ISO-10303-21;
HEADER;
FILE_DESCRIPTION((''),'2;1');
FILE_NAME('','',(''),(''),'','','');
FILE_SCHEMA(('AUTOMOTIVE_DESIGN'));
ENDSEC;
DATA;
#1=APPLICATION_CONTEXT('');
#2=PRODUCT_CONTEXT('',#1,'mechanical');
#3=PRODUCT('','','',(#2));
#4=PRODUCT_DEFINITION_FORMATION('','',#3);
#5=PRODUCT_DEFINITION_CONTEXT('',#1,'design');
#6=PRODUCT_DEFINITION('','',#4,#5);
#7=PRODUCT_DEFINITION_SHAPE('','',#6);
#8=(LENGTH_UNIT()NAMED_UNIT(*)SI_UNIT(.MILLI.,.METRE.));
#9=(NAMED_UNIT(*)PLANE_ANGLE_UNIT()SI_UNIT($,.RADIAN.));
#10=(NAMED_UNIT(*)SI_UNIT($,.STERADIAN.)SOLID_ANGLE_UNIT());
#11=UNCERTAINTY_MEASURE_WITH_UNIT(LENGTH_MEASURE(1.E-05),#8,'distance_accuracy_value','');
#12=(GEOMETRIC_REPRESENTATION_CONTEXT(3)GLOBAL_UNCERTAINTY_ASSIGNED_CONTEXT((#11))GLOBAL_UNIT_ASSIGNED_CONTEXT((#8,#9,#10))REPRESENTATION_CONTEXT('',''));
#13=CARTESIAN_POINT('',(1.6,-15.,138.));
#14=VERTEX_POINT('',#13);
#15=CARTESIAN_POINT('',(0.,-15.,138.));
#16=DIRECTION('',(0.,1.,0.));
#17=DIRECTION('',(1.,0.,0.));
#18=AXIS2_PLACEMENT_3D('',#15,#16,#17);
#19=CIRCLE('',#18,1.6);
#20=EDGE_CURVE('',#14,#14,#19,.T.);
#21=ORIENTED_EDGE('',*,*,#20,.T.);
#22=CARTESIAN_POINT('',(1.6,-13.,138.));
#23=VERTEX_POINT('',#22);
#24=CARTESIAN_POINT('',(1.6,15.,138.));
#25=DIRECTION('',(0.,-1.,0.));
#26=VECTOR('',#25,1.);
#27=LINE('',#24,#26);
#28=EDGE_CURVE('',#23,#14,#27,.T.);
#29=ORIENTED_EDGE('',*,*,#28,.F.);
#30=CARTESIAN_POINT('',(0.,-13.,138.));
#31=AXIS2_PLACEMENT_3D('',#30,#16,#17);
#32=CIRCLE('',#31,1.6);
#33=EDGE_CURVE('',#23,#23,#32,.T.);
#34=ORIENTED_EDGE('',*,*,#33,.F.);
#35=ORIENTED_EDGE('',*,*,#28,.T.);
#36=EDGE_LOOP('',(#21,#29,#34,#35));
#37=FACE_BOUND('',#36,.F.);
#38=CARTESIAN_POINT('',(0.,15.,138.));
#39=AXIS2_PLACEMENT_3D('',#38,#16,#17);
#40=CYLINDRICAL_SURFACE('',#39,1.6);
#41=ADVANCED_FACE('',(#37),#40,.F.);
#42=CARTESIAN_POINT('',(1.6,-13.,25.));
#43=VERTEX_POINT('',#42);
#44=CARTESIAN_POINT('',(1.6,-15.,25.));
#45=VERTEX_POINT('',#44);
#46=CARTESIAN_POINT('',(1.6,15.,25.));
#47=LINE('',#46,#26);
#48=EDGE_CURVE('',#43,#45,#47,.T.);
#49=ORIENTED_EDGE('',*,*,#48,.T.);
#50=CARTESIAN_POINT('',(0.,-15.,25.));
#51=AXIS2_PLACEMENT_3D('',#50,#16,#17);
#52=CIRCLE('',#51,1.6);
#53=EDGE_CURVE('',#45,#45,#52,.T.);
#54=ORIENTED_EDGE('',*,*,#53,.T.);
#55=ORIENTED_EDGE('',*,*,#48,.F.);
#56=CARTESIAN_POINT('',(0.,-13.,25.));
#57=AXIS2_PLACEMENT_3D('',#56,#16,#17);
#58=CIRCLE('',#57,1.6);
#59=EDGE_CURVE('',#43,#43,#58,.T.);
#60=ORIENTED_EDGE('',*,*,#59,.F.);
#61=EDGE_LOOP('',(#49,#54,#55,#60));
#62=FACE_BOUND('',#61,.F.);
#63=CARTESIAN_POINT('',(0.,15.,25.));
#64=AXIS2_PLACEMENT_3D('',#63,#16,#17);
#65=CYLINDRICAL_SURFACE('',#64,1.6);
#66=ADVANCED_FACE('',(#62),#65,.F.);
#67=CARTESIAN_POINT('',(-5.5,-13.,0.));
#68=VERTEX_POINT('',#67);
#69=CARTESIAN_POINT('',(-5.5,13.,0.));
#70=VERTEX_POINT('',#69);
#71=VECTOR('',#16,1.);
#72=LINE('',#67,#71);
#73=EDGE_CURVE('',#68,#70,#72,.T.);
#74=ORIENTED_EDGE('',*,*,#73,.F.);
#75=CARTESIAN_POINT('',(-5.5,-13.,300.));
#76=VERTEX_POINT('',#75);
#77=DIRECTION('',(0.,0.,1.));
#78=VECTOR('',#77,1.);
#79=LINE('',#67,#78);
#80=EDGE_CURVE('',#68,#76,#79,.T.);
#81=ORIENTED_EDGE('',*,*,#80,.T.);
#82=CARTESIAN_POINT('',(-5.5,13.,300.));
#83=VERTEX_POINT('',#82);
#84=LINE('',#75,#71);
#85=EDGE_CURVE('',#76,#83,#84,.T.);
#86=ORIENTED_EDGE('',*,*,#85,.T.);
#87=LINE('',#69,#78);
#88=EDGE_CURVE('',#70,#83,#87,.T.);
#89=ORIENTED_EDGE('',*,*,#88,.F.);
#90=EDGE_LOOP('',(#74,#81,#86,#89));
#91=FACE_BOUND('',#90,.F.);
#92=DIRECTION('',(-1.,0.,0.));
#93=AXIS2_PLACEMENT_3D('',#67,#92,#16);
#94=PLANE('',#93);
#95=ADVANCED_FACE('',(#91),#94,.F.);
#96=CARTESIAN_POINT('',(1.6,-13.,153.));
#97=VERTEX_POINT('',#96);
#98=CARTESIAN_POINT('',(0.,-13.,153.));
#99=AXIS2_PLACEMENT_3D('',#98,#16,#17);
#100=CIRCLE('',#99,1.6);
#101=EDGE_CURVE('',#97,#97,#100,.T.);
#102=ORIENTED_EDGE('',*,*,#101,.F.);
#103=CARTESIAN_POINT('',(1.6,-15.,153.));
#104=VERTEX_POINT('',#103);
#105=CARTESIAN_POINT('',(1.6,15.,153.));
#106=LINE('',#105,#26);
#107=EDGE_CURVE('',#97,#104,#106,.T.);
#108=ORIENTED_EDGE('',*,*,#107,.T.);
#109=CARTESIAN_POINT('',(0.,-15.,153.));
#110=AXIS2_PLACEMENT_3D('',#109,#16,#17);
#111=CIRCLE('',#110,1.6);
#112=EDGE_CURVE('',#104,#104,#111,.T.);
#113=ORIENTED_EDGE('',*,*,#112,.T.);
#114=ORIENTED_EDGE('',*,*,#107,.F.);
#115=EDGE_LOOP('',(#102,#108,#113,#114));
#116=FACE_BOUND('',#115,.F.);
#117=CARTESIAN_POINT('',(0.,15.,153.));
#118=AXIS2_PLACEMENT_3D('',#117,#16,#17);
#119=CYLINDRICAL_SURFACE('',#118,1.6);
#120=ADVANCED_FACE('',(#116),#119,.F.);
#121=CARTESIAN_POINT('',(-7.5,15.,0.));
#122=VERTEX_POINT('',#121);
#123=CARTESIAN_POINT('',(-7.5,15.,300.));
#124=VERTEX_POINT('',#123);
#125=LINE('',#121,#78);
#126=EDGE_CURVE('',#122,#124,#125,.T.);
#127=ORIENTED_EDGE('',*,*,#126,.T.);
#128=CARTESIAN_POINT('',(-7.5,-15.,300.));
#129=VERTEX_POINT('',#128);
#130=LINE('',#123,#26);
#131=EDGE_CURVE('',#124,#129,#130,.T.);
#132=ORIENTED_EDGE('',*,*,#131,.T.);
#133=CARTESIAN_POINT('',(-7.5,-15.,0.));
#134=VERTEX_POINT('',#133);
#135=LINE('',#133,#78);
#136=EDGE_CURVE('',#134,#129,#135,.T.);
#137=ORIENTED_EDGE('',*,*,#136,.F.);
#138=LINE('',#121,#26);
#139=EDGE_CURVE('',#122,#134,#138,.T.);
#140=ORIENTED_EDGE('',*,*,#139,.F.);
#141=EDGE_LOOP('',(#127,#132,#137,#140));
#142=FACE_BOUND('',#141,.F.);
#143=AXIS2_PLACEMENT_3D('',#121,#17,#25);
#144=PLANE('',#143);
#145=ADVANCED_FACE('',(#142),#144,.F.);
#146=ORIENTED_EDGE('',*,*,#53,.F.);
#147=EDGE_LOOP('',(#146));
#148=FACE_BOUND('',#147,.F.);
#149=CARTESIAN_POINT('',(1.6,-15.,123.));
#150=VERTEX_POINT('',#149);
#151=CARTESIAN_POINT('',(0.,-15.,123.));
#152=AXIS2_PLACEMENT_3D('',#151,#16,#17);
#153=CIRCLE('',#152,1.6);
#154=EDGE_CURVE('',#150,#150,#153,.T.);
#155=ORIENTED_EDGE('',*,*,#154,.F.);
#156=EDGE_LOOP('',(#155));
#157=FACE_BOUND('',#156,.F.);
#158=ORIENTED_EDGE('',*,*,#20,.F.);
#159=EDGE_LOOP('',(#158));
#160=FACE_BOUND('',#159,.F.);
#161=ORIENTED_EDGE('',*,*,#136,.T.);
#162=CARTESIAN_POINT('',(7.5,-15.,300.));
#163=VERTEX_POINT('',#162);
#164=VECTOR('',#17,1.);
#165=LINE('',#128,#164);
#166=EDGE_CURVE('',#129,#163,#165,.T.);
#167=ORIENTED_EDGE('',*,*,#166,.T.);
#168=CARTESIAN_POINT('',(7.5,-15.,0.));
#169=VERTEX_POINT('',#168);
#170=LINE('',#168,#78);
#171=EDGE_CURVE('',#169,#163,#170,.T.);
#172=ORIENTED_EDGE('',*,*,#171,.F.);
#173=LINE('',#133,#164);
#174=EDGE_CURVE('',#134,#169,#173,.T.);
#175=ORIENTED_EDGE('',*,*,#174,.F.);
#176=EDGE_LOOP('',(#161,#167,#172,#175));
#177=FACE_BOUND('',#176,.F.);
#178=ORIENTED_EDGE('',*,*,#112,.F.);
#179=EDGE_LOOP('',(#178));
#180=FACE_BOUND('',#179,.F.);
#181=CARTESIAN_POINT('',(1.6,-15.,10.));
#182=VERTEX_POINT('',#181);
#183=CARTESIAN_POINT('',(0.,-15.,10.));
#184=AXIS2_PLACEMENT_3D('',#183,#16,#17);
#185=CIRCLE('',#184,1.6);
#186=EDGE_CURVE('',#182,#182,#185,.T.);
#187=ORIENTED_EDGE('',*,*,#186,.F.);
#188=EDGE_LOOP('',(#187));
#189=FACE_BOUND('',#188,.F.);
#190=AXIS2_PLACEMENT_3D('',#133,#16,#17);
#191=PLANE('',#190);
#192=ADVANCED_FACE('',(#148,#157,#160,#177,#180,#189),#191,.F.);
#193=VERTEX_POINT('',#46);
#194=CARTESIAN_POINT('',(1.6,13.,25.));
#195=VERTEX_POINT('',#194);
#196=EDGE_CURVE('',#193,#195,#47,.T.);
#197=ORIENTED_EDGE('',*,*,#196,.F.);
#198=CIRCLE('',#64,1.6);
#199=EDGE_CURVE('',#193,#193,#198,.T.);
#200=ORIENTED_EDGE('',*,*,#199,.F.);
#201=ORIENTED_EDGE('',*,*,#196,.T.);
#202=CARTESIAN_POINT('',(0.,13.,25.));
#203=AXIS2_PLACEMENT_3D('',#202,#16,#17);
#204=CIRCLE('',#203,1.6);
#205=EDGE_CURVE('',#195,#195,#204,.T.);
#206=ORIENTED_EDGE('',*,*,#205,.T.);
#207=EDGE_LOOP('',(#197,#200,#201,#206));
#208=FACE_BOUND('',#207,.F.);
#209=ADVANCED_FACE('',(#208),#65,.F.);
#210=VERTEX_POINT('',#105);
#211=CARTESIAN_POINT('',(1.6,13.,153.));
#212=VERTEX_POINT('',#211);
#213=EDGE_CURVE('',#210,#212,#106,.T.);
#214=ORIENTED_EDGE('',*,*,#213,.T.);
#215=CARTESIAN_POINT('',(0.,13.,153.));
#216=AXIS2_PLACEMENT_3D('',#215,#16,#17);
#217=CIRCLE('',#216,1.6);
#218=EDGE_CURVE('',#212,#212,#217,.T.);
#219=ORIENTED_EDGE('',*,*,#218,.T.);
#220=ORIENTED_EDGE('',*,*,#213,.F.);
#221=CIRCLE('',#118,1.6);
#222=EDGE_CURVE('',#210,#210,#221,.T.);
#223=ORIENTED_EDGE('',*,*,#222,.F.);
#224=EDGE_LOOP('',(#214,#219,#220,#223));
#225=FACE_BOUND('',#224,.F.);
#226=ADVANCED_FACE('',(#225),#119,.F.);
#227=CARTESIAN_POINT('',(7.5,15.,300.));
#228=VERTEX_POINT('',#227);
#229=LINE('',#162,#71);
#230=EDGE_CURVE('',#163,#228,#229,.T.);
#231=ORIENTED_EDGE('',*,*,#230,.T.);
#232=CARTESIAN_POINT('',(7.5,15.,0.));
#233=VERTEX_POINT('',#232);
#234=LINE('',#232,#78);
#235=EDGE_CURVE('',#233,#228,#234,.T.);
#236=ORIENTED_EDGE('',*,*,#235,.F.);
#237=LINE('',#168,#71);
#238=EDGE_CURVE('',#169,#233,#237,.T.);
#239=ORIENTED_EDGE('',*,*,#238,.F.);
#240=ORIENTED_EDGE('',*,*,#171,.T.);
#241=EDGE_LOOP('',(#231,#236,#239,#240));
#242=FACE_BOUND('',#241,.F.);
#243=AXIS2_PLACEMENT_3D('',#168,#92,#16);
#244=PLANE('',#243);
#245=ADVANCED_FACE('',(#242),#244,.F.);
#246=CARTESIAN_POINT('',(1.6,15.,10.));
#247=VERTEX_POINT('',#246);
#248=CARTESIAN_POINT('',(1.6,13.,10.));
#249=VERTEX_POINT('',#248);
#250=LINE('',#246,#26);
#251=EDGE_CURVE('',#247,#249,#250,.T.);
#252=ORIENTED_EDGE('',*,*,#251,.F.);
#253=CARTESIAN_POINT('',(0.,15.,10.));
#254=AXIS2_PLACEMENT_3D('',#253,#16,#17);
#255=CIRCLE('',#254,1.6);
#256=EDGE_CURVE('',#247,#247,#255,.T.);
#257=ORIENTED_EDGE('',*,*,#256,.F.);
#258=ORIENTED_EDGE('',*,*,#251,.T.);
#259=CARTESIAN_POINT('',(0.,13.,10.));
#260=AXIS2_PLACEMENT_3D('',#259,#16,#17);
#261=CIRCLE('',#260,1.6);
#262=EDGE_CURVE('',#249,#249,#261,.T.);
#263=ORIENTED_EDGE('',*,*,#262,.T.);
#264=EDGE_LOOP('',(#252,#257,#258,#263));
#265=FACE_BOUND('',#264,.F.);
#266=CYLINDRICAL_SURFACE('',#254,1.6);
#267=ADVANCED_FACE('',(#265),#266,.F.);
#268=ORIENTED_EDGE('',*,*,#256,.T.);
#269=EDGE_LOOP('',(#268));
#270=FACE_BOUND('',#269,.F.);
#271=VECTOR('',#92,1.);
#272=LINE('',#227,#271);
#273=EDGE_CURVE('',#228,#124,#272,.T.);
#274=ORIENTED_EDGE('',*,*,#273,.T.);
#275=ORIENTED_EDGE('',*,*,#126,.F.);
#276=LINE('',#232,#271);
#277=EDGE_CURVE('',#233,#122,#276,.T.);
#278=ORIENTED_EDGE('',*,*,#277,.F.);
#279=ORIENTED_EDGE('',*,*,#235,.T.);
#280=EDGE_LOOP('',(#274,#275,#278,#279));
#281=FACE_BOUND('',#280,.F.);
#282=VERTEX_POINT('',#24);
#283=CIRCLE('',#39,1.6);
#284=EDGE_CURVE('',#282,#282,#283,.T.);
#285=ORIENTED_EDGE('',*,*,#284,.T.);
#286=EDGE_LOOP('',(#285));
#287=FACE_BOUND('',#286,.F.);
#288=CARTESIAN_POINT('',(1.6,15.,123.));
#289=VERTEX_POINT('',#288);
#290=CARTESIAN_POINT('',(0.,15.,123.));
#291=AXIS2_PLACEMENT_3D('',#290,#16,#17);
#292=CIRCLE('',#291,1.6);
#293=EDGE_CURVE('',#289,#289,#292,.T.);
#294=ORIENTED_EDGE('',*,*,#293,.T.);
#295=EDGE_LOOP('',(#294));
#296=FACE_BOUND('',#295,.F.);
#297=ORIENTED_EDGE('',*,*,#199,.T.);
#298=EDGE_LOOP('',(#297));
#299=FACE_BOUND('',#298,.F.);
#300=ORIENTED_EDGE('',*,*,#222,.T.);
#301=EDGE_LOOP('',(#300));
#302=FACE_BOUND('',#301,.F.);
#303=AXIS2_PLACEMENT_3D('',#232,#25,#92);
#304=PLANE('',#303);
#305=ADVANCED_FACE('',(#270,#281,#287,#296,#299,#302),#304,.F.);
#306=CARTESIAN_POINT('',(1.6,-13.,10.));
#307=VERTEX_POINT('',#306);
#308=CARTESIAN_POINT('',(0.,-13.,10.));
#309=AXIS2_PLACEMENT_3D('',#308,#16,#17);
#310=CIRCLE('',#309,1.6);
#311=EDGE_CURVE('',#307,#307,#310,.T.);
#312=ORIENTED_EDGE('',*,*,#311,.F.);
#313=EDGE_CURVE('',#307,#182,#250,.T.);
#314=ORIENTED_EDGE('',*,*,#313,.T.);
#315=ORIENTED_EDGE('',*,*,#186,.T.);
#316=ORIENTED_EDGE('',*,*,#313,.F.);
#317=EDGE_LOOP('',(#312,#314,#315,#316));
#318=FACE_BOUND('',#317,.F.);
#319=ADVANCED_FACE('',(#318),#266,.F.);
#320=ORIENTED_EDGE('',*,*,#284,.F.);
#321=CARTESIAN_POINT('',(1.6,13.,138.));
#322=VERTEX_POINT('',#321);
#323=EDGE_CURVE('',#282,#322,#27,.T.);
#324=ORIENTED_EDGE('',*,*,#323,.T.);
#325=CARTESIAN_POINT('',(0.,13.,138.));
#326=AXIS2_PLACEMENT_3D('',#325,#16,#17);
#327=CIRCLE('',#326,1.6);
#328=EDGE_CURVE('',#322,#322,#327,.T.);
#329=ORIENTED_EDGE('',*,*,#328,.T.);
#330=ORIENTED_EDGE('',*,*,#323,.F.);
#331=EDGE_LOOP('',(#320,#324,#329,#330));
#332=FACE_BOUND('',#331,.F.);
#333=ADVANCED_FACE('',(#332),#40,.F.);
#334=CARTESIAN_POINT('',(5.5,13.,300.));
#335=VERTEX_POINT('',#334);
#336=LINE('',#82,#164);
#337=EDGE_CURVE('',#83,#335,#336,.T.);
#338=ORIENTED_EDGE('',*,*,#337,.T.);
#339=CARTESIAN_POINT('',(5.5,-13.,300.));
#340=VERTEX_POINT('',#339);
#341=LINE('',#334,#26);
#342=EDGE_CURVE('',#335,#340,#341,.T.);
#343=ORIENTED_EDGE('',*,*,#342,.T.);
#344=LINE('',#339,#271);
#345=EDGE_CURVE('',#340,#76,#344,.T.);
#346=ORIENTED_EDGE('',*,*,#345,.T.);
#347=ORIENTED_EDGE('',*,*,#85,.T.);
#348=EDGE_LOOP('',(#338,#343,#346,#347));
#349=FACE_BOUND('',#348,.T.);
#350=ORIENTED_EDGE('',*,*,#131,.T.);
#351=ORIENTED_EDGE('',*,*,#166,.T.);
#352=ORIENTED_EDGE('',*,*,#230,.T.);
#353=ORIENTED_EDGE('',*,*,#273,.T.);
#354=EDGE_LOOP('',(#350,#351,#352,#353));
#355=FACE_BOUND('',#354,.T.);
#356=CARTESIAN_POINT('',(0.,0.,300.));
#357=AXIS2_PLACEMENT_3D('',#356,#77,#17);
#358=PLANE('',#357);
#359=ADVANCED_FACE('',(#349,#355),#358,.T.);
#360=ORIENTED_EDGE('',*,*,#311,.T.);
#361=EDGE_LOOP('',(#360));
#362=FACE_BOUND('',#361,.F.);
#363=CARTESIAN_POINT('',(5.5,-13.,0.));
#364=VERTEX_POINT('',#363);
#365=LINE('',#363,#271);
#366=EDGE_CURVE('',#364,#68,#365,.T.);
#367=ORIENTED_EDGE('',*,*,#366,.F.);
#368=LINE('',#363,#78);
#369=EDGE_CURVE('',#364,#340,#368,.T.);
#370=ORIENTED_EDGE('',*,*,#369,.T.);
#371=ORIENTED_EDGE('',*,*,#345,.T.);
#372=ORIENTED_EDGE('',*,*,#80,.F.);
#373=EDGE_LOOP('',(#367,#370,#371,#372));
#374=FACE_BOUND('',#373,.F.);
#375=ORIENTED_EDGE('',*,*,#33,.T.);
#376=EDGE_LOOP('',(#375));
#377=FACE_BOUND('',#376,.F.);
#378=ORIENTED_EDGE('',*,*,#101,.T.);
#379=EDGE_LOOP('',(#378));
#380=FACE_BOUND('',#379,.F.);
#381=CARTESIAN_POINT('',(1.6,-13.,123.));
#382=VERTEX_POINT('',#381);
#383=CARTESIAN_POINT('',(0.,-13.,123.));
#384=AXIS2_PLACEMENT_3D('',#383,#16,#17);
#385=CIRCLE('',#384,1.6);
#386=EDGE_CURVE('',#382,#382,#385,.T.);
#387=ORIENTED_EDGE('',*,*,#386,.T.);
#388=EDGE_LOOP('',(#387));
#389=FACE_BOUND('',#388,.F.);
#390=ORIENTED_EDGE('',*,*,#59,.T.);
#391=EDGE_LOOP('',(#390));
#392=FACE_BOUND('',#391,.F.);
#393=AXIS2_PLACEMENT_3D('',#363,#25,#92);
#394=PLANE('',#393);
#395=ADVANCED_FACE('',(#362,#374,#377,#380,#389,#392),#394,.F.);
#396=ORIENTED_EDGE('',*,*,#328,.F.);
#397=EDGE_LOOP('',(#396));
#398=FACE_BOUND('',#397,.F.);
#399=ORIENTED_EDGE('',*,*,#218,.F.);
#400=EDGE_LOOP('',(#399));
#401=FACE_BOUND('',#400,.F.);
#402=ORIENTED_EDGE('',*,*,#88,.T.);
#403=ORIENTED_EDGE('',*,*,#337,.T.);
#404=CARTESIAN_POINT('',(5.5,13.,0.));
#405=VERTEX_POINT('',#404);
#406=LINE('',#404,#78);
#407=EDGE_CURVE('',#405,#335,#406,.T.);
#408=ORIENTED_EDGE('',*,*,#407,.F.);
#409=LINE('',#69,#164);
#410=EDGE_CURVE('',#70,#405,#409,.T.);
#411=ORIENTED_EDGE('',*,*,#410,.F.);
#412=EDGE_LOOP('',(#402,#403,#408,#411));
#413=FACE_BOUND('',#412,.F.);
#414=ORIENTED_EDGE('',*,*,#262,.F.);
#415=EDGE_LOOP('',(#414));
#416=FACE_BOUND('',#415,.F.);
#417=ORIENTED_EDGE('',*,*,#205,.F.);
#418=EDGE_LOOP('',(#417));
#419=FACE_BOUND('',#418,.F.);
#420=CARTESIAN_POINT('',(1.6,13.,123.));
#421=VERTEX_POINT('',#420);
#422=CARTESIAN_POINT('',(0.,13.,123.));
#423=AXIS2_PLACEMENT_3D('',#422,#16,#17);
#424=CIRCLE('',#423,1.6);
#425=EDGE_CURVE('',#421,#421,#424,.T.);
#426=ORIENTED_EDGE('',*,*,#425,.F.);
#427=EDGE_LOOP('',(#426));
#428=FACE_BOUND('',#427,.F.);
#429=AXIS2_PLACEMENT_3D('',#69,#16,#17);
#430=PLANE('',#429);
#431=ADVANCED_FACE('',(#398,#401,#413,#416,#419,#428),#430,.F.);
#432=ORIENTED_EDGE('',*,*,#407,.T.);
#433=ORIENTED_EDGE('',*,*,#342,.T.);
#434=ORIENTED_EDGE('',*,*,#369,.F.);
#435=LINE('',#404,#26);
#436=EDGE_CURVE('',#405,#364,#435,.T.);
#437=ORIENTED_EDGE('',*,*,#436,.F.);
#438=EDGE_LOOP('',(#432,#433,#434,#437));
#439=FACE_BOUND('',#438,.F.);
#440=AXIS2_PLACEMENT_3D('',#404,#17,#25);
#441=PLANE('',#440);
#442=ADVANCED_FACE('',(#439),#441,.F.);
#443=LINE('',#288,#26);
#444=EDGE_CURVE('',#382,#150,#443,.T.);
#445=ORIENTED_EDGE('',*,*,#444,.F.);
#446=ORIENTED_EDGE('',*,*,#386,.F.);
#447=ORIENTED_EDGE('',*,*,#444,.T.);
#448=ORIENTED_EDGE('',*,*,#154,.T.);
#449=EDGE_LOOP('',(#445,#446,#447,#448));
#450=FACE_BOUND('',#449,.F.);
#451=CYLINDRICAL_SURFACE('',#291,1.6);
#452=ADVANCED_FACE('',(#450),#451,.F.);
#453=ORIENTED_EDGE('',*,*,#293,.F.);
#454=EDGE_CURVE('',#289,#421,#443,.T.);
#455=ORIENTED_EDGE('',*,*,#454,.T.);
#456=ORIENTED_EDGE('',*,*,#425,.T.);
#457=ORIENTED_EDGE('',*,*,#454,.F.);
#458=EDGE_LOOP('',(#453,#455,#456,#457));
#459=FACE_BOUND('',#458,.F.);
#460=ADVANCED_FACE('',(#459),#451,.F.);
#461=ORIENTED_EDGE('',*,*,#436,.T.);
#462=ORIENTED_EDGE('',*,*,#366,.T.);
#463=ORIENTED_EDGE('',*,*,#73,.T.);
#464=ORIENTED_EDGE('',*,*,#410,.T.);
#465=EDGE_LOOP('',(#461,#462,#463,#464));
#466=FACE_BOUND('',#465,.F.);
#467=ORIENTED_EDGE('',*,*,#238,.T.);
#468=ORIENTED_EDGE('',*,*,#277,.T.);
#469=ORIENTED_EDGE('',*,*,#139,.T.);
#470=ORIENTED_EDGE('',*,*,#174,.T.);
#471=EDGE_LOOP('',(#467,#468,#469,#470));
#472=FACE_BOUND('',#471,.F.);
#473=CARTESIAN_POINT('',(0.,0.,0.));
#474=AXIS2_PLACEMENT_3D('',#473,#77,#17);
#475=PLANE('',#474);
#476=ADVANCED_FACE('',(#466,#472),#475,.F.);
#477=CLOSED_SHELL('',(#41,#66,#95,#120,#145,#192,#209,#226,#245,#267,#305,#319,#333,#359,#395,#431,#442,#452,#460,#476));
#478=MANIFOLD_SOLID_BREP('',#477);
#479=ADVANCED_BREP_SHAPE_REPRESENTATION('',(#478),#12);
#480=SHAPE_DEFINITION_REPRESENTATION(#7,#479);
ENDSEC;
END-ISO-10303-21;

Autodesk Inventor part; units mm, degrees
ref_plane "YZ Plane" through (0, 0, 0) normal (1, 0, 0) x (0, 1, 0)
ref_plane "XZ Plane" through (0, 0, 0) normal (0, 1, 0) x (-1, 0, 0)
ref_plane "XY Plane" through (0, 0, 0) normal (0, 0, 1) x (1, 0, 0)
sketch "スケッチ1" plane through (0, 0, 0) normal (0, 0, 1) x (1, 0, 0)
  line L0 (7.5, 15) -> (-7.5, 15)
  line L1 (-7.5, 15) -> (-7.5, -15)
  line L2 (-7.5, -15) -> (7.5, -15)
  line L3 (7.5, -15) -> (7.5, 15)
  line L4 (7.5, 15) -> (-7.5, -15) construction
  line L5 (-7.5, 15) -> (7.5, -15) construction
  line L6 (-5.5, 13) -> (5.5, 13)
  line L7 (5.5, 13) -> (5.5, -13)
  line L8 (5.5, -13) -> (-5.5, -13)
  line L9 (-5.5, -13) -> (-5.5, 13)
  point P0 (0, 0)
  dimension "d0" = 15
  dimension "d1" = 30
  dimension "d2" = 2
extrude "押し出し1" add sketch "スケッチ1" along normal blind 300
sketch "スケッチ2" plane through (-7.5, 15, 0) normal (0, 1, 0) x (1, 0, 0)
  circle A0 centre (7.5, -10) radius 1.6
  circle A1 centre (7.5, -25) radius 1.6
  circle A2 centre (7.5, -138) radius 1.6
  circle A3 centre (7.5, -153) radius 1.6
  circle A4 centre (7.5, -123) radius 1.6
  line L0 (15, 0) -> (0, 0) projected
  point P0 (7.5, 0)
  point P1 (7.5, 0)
  dimension "d5" = 3.2
  dimension "d6" = 3.2
  dimension "d7" = 3.2
  dimension "d8" = 3.2
  dimension "d9" = 3.2
  dimension "d10" = 15
  dimension "d11" = 15
  dimension "d12" = 98
  dimension "d13" = 15
  dimension "d14" = 10
extrude "押し出し2" cut sketch "スケッチ2" against normal through all
properties part number "オムニ_角柱5" material "アルミニウム 6061"
